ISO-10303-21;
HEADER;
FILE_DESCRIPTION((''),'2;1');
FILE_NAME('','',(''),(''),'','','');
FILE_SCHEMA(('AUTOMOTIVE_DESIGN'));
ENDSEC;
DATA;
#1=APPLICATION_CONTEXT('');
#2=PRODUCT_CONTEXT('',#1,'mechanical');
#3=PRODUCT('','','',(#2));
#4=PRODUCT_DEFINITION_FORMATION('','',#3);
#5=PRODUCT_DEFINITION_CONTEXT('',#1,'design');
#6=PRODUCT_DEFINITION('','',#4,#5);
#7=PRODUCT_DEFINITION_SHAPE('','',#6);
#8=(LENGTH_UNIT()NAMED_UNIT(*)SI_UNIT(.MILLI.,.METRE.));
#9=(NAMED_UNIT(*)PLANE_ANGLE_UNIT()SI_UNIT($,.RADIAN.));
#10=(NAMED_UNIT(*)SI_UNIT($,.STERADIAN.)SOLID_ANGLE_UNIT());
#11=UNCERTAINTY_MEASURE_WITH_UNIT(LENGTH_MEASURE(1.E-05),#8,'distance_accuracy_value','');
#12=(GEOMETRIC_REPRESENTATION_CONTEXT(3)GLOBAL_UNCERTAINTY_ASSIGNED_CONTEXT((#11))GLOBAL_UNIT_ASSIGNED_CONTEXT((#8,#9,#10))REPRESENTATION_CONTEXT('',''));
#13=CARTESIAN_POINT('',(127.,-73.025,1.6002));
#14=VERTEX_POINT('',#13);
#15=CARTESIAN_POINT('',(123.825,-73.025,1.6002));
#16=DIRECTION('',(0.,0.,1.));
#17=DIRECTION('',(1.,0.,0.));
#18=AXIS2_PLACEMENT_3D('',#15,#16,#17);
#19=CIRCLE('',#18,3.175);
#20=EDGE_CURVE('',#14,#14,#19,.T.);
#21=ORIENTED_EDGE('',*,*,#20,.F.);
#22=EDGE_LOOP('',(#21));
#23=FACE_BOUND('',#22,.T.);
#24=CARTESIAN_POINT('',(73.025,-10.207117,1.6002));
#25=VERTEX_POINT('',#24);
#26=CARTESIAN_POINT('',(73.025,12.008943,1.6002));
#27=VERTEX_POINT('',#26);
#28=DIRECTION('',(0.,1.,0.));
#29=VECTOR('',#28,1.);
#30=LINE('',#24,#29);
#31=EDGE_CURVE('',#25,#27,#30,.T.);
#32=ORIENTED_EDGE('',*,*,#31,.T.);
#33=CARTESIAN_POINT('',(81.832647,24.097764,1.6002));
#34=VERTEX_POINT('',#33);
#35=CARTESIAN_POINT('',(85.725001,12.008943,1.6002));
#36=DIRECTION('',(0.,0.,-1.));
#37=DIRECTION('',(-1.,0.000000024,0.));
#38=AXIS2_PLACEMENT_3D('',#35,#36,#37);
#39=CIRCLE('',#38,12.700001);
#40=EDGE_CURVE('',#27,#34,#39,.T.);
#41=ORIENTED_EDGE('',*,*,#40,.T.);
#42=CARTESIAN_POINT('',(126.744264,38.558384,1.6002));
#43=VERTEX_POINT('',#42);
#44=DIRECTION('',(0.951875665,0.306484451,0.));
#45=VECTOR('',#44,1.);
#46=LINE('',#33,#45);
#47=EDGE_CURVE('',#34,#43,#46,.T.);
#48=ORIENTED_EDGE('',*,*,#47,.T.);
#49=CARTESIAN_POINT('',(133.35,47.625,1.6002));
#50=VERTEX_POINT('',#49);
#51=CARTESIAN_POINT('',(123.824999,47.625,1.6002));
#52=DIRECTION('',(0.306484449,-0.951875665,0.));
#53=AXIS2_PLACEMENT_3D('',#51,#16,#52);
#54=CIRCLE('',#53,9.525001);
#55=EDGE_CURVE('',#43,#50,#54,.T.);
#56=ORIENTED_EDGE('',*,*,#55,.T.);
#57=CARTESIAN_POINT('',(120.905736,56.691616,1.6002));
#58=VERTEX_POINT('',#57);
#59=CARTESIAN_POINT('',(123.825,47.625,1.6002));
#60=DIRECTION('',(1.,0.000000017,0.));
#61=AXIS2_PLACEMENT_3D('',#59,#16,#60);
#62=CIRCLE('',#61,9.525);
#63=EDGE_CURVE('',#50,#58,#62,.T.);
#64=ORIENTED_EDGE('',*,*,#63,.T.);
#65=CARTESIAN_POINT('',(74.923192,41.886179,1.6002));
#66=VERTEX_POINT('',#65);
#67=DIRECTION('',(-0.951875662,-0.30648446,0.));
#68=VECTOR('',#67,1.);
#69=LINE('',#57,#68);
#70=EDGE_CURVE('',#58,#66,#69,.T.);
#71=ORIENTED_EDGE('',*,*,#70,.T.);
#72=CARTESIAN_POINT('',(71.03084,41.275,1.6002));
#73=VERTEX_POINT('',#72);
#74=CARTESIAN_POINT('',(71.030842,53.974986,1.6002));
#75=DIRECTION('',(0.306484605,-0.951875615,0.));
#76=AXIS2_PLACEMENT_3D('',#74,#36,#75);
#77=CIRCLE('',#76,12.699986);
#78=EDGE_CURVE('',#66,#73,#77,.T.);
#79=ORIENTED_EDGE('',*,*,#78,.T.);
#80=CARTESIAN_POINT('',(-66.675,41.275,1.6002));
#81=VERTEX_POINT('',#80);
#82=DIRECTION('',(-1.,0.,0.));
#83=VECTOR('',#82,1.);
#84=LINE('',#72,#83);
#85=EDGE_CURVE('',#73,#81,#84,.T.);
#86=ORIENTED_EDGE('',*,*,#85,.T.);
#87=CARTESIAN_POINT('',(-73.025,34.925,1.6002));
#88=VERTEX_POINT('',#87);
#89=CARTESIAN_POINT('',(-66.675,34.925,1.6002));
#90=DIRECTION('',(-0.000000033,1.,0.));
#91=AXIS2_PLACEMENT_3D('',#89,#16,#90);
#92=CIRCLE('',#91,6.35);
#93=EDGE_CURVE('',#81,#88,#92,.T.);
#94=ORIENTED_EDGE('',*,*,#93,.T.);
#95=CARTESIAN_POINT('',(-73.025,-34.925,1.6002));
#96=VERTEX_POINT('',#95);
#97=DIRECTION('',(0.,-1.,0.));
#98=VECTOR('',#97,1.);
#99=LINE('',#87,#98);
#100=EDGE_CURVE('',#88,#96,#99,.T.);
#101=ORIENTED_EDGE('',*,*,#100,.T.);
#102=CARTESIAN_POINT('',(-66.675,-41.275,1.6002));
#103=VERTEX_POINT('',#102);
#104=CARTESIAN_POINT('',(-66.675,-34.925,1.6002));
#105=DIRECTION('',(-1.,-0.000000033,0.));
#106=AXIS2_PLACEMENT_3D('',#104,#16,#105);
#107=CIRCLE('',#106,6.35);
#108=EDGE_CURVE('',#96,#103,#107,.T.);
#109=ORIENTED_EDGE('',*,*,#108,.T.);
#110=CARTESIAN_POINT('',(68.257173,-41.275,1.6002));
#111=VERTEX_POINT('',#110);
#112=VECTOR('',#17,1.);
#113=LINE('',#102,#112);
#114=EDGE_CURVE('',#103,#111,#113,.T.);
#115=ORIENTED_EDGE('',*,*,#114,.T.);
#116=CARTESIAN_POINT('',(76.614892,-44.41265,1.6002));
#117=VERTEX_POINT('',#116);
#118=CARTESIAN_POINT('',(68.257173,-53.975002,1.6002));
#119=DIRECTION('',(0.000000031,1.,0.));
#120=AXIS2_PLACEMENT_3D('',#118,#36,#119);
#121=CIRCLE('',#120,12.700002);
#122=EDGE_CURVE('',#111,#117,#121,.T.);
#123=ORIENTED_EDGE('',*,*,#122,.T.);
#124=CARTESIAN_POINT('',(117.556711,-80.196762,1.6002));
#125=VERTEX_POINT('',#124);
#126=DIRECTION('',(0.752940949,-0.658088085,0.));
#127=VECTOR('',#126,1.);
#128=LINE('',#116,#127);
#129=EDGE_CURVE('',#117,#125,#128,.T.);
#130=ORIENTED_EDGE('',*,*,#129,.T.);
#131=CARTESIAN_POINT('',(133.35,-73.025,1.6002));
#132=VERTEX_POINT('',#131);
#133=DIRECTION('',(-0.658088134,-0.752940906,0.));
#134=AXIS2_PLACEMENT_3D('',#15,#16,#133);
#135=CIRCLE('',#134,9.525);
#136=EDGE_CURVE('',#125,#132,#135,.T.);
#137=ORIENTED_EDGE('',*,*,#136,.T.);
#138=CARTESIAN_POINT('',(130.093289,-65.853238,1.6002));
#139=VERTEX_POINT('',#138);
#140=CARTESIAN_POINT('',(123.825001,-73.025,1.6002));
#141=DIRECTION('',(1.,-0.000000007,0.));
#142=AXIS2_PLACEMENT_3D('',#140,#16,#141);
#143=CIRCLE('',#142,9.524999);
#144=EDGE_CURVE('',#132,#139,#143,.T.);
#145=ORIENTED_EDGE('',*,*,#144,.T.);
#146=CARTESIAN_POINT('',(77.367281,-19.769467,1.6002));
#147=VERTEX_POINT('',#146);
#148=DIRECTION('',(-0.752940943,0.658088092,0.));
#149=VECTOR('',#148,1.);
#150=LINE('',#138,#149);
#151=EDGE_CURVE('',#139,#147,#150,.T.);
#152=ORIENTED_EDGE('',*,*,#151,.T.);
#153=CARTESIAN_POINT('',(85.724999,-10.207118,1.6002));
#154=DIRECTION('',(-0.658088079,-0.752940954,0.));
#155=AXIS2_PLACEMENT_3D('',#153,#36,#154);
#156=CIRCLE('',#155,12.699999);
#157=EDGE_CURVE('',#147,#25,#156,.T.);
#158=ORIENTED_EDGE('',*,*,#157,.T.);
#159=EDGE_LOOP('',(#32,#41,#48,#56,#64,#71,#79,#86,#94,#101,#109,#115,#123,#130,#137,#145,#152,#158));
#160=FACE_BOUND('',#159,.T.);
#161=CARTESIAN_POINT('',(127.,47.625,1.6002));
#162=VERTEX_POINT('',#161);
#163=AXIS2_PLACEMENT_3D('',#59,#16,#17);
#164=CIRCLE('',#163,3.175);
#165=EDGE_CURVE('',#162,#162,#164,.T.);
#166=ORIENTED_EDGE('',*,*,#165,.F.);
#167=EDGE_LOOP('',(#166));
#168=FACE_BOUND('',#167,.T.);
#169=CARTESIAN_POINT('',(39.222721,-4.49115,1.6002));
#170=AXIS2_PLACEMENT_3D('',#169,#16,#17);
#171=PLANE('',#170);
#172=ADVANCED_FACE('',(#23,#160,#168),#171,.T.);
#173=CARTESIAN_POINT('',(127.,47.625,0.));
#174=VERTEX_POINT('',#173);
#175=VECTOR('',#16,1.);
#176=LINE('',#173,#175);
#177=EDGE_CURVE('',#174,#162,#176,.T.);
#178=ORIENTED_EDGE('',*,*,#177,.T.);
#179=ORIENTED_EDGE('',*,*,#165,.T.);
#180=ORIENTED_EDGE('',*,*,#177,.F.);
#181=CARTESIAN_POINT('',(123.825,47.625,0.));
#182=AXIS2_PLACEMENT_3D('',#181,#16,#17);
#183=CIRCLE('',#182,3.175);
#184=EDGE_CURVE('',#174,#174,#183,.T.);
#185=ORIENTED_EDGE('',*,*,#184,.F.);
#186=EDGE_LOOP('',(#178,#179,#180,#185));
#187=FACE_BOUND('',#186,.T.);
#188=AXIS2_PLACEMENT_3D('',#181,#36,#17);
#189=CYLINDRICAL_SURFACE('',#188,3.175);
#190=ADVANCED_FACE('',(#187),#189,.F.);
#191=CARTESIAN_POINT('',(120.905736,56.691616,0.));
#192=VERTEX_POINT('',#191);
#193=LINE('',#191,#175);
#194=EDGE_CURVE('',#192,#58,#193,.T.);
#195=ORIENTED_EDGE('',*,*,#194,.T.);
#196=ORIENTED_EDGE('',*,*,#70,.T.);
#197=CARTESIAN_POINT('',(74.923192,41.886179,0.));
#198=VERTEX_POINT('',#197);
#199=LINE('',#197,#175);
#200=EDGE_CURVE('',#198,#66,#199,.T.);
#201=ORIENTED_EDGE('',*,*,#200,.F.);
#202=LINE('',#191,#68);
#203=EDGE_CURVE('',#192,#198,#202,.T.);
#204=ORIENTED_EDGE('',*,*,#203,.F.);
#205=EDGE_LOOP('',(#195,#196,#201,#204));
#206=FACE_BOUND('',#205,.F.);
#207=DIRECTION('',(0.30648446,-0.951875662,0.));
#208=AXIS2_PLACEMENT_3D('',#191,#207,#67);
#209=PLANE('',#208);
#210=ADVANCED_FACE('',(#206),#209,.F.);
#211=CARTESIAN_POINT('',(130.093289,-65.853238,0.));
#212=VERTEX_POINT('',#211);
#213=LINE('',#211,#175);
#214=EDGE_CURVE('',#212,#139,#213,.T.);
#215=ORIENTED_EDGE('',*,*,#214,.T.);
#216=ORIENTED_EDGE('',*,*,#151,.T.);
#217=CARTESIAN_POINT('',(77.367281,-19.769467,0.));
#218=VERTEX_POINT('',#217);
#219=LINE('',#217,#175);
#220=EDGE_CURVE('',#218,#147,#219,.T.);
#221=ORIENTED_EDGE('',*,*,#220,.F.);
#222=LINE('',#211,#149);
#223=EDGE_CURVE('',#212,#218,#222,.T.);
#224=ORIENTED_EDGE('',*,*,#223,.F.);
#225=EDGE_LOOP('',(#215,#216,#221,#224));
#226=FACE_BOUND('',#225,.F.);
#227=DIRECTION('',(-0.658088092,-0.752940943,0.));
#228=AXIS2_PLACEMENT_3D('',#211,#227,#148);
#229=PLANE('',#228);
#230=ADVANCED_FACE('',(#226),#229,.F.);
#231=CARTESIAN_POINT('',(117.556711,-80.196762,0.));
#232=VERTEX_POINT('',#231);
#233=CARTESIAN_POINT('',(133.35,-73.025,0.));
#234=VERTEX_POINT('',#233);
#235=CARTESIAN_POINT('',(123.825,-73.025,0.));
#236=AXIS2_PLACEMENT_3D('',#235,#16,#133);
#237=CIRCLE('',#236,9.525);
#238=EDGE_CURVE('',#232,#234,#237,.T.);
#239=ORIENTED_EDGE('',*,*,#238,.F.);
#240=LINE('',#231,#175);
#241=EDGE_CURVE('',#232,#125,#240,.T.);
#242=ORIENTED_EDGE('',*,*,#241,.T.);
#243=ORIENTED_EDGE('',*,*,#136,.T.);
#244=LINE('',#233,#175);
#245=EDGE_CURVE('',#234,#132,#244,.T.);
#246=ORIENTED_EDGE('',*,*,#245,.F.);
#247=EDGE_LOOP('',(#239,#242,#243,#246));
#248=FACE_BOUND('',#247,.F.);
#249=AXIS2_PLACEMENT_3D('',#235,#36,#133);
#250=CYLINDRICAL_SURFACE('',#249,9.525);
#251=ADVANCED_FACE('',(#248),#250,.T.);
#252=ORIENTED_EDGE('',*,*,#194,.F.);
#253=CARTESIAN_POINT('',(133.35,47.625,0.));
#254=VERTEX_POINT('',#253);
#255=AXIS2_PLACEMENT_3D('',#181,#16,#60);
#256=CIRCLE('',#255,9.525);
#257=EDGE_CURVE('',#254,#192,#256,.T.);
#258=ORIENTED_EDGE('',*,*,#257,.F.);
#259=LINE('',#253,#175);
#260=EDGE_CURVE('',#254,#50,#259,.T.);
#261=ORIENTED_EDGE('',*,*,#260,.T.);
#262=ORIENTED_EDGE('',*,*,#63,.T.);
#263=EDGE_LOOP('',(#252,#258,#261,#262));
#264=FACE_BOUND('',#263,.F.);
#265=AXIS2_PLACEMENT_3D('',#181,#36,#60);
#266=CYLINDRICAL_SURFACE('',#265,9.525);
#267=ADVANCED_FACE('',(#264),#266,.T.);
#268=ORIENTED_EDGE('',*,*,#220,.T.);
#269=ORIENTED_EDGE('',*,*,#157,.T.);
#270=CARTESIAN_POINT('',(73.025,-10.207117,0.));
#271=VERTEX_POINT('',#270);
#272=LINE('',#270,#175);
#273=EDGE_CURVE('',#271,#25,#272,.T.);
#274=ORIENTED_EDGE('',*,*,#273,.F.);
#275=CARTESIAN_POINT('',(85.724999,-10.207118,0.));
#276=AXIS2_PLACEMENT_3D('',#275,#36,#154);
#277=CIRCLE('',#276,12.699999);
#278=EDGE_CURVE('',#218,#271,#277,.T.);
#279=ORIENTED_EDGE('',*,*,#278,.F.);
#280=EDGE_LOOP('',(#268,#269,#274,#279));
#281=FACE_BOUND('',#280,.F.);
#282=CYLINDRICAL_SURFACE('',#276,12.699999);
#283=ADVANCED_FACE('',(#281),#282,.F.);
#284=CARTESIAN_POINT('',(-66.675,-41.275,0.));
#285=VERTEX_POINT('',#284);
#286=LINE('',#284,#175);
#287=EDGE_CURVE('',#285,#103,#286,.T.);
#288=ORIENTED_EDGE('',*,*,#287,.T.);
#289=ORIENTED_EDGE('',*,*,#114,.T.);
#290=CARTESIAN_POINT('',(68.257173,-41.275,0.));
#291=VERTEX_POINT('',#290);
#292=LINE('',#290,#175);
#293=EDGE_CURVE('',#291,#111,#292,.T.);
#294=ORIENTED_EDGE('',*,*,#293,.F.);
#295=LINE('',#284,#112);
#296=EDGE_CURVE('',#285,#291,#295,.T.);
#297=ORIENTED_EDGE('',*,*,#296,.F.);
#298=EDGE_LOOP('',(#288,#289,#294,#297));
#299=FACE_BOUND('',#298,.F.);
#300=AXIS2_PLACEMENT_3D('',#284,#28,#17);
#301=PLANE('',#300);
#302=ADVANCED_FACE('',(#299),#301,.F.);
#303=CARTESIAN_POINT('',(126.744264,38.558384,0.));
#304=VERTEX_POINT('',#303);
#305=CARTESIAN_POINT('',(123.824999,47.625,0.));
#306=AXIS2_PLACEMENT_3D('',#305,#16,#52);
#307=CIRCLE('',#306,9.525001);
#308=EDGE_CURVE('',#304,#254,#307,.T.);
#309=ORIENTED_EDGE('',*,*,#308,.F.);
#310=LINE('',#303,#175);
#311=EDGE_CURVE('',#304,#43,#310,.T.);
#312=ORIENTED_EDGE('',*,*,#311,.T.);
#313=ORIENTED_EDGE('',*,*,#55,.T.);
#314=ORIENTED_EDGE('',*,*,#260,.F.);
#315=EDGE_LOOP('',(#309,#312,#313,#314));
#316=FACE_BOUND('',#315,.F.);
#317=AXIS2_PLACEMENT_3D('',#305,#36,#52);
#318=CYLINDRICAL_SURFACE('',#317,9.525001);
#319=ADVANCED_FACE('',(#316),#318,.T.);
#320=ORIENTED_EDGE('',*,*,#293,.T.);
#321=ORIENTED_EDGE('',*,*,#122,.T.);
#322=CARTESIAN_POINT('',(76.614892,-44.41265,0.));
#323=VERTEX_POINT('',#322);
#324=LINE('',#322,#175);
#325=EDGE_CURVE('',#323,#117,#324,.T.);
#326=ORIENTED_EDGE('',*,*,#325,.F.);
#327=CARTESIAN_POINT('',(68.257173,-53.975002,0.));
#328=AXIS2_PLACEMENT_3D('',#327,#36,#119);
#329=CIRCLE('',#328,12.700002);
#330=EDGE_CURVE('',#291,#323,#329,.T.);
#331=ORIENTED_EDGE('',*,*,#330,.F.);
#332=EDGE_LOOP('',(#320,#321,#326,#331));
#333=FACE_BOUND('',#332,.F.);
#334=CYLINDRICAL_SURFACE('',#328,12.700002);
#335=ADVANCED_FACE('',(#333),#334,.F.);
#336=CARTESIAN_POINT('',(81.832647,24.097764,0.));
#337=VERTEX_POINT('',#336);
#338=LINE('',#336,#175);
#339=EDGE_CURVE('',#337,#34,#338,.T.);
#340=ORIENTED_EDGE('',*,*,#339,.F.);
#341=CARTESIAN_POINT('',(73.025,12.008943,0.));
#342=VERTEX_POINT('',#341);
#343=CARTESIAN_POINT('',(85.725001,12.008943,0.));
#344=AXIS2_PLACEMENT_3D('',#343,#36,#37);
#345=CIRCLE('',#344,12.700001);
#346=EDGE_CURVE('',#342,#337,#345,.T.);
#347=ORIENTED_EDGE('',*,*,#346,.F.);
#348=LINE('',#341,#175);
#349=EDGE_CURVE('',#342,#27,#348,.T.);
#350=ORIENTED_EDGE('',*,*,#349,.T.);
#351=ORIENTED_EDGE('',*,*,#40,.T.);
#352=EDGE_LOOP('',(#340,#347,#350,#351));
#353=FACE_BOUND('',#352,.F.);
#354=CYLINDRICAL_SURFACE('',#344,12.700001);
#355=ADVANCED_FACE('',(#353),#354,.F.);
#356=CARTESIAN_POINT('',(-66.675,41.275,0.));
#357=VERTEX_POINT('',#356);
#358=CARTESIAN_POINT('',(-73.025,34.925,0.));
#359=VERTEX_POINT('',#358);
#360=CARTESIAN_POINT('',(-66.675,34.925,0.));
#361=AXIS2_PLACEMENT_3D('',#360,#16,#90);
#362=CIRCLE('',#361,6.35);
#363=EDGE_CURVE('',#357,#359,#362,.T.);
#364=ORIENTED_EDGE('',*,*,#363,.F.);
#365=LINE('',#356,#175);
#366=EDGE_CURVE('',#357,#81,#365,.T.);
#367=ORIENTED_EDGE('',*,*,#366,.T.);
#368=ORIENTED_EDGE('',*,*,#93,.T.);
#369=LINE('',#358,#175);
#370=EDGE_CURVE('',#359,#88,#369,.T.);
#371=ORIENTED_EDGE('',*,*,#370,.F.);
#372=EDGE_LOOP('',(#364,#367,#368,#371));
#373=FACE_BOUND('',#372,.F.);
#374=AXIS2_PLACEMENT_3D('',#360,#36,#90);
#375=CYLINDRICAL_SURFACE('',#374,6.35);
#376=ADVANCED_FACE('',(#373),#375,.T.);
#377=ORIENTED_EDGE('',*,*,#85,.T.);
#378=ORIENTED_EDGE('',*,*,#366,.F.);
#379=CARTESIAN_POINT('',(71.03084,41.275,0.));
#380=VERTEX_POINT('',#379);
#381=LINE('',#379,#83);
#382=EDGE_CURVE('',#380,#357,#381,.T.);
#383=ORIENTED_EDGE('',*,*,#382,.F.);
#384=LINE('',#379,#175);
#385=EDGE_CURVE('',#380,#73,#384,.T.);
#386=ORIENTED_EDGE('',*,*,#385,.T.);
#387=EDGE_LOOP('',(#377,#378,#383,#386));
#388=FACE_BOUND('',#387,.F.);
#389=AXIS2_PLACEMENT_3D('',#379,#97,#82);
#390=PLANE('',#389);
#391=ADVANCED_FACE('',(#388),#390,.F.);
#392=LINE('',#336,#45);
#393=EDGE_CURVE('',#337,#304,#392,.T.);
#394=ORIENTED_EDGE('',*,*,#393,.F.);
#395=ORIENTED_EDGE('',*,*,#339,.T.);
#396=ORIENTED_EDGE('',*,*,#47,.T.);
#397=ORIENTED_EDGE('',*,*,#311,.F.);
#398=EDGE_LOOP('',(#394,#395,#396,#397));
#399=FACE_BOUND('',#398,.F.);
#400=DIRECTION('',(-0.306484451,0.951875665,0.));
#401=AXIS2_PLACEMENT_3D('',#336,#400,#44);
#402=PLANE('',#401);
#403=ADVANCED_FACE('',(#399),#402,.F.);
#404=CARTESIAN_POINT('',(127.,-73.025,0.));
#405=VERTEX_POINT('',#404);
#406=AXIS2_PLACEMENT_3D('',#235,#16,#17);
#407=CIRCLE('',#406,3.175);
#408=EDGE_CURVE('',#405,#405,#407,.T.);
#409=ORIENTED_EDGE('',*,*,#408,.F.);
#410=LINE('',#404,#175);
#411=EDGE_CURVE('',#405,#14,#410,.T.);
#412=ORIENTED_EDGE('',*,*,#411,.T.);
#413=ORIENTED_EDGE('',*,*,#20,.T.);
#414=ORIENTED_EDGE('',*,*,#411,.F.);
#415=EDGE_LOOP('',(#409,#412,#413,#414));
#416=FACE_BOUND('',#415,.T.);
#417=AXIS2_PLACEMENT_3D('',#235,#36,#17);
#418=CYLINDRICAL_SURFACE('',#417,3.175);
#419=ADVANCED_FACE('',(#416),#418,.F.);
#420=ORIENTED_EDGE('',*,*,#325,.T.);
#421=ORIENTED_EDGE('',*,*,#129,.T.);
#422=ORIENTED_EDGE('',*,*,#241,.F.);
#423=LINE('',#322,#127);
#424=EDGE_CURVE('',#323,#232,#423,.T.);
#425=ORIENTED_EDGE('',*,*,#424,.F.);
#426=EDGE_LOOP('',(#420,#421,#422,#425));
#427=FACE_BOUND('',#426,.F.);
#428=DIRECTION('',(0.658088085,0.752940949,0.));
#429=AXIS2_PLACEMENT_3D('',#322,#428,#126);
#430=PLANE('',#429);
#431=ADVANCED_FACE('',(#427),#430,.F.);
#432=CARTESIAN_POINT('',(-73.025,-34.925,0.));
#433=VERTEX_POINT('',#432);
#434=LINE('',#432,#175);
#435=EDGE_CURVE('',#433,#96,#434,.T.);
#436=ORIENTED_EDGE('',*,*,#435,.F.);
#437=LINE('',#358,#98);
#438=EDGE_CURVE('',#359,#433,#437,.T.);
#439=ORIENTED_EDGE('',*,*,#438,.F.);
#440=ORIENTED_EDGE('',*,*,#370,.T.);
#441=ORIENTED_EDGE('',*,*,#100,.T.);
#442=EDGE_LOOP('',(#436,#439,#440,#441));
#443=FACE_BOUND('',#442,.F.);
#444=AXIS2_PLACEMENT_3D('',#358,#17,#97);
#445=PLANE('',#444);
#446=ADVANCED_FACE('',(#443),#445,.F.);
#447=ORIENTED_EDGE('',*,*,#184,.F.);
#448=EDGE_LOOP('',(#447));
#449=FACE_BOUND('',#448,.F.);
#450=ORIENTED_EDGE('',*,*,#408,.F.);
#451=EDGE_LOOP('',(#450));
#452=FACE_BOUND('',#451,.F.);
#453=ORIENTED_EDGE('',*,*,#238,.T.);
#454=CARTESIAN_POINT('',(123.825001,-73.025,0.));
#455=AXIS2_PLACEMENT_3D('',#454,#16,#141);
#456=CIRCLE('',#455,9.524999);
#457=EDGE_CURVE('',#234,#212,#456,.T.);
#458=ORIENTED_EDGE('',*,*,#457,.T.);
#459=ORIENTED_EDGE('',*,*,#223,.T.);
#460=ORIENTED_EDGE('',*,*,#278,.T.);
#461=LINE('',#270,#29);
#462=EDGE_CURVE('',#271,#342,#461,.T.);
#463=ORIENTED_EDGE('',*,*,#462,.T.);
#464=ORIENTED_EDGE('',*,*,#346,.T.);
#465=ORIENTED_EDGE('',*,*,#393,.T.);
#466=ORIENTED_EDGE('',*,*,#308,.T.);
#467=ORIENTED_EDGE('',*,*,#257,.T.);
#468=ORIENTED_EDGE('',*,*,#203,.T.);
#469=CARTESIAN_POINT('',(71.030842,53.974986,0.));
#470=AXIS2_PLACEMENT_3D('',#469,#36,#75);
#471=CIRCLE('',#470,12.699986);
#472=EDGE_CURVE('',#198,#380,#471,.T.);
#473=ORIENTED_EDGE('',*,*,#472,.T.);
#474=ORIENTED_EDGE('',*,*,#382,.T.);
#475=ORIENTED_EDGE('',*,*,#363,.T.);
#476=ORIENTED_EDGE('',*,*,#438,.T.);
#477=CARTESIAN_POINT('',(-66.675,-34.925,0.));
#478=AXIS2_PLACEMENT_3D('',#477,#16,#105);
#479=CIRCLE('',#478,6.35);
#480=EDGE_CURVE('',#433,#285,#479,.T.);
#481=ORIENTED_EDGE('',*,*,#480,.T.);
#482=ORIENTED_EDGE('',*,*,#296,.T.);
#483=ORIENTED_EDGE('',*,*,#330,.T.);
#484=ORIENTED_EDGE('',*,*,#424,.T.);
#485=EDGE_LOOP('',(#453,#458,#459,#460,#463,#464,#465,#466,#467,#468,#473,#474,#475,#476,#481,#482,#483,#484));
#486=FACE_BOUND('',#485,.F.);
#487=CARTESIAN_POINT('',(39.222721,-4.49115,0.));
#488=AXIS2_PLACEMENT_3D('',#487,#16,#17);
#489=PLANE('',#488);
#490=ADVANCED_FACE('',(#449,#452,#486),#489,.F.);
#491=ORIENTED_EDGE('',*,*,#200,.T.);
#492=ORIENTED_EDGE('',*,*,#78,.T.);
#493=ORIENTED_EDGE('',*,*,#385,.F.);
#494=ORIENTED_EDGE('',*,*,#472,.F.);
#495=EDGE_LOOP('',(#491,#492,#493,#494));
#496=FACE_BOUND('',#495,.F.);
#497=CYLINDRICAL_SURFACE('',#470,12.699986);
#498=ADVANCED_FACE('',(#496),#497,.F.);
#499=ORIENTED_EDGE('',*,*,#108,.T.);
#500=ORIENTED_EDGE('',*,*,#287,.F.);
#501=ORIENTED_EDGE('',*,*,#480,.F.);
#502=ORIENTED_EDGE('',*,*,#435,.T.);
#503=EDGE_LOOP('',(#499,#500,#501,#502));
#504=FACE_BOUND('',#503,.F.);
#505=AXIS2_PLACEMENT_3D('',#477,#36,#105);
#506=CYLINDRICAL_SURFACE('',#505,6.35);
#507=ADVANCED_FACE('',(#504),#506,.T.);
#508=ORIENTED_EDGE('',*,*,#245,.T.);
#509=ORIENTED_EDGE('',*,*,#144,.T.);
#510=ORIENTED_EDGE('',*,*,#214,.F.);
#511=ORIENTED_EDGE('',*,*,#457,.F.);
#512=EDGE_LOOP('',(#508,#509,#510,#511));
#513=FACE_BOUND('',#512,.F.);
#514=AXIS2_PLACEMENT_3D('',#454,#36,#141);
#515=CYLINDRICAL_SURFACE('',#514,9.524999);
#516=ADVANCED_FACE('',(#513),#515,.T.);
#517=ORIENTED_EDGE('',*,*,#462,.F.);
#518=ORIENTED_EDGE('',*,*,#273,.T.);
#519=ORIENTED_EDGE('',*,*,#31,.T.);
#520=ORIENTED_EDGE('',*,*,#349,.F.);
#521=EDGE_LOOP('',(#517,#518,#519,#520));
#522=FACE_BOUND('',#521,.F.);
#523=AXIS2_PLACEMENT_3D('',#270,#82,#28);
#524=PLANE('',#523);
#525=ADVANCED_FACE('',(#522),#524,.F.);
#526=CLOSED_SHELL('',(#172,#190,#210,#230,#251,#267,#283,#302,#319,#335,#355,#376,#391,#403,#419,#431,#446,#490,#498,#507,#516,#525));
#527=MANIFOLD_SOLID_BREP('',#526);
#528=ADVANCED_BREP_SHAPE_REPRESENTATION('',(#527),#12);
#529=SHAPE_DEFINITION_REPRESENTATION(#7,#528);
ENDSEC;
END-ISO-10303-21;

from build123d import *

# Parameters (mm, degrees)
F0_R     = 3.175
F1_DEPTH = 1.6002


with BuildPart() as f1:
    # F0 (on Top) → F1 (new body)
    with BuildSketch(Plane.XY):
        with BuildLine():
            Line((71.03084, 41.275), (-66.675, 41.275))
            ThreePointArc((-66.675, 41.275), (-71.165128, 39.415128), (-73.025, 34.925))
            Line((-73.025, 34.925), (-73.025, -34.925))
            ThreePointArc((-73.025, -34.925), (-71.165128, -39.415128), (-66.675, -41.275))
            Line((-66.675, -41.275), (68.257173, -41.275))
            ThreePointArc((68.257173, -41.275), (72.720813, -42.08526), (76.614892, -44.41265))
            Line((76.614892, -44.41265), (117.556711, -80.196762))
            ThreePointArc((117.556711, -80.196762), (116.653238, -66.756711), (130.093289, -65.853238))
            Line((130.093289, -65.853238), (77.367281, -19.769467))
            ThreePointArc((77.367281, -19.769467), (74.161414, -15.458163), (73.025, -10.207117))
            Line((73.025, -10.207117), (73.025, 12.008943))
            ThreePointArc((73.025, 12.008943), (75.460428, 19.487483), (81.832647, 24.097764))
            Line((81.832647, 24.097764), (126.744264, 38.558384))
            ThreePointArc((126.744264, 38.558384), (114.758384, 44.705736), (120.905736, 56.691616))
            Line((120.905736, 56.691616), (74.923192, 41.886179))
            ThreePointArc((74.923192, 41.886179), (73.000862, 41.428725), (71.03084, 41.275))
        make_face()
        with BuildLine():
            ThreePointArc((133.35, 47.625), (129.433905, 55.323429), (120.905736, 56.691616))
            ThreePointArc((120.905736, 56.691616), (114.758384, 44.705736), (126.744264, 38.558384))
            ThreePointArc((126.744264, 38.558384), (131.523429, 42.016095), (133.35, 47.625))
        make_face()
        with Locations((123.825, 47.625)):
            Circle(F0_R, mode=Mode.SUBTRACT)
        with BuildLine():
            ThreePointArc((130.093289, -65.853238), (116.653238, -66.756711), (117.556711, -80.196762))
            ThreePointArc((117.556711, -80.196762), (127.763285, -81.697689), (133.35, -73.025))
            ThreePointArc((133.35, -73.025), (132.497689, -69.086715), (130.093289, -65.853238))
        make_face()
        with Locations((123.825, -73.025)):
            Circle(F0_R, mode=Mode.SUBTRACT)
    extrude(amount=F1_DEPTH)


solid = f1.part
